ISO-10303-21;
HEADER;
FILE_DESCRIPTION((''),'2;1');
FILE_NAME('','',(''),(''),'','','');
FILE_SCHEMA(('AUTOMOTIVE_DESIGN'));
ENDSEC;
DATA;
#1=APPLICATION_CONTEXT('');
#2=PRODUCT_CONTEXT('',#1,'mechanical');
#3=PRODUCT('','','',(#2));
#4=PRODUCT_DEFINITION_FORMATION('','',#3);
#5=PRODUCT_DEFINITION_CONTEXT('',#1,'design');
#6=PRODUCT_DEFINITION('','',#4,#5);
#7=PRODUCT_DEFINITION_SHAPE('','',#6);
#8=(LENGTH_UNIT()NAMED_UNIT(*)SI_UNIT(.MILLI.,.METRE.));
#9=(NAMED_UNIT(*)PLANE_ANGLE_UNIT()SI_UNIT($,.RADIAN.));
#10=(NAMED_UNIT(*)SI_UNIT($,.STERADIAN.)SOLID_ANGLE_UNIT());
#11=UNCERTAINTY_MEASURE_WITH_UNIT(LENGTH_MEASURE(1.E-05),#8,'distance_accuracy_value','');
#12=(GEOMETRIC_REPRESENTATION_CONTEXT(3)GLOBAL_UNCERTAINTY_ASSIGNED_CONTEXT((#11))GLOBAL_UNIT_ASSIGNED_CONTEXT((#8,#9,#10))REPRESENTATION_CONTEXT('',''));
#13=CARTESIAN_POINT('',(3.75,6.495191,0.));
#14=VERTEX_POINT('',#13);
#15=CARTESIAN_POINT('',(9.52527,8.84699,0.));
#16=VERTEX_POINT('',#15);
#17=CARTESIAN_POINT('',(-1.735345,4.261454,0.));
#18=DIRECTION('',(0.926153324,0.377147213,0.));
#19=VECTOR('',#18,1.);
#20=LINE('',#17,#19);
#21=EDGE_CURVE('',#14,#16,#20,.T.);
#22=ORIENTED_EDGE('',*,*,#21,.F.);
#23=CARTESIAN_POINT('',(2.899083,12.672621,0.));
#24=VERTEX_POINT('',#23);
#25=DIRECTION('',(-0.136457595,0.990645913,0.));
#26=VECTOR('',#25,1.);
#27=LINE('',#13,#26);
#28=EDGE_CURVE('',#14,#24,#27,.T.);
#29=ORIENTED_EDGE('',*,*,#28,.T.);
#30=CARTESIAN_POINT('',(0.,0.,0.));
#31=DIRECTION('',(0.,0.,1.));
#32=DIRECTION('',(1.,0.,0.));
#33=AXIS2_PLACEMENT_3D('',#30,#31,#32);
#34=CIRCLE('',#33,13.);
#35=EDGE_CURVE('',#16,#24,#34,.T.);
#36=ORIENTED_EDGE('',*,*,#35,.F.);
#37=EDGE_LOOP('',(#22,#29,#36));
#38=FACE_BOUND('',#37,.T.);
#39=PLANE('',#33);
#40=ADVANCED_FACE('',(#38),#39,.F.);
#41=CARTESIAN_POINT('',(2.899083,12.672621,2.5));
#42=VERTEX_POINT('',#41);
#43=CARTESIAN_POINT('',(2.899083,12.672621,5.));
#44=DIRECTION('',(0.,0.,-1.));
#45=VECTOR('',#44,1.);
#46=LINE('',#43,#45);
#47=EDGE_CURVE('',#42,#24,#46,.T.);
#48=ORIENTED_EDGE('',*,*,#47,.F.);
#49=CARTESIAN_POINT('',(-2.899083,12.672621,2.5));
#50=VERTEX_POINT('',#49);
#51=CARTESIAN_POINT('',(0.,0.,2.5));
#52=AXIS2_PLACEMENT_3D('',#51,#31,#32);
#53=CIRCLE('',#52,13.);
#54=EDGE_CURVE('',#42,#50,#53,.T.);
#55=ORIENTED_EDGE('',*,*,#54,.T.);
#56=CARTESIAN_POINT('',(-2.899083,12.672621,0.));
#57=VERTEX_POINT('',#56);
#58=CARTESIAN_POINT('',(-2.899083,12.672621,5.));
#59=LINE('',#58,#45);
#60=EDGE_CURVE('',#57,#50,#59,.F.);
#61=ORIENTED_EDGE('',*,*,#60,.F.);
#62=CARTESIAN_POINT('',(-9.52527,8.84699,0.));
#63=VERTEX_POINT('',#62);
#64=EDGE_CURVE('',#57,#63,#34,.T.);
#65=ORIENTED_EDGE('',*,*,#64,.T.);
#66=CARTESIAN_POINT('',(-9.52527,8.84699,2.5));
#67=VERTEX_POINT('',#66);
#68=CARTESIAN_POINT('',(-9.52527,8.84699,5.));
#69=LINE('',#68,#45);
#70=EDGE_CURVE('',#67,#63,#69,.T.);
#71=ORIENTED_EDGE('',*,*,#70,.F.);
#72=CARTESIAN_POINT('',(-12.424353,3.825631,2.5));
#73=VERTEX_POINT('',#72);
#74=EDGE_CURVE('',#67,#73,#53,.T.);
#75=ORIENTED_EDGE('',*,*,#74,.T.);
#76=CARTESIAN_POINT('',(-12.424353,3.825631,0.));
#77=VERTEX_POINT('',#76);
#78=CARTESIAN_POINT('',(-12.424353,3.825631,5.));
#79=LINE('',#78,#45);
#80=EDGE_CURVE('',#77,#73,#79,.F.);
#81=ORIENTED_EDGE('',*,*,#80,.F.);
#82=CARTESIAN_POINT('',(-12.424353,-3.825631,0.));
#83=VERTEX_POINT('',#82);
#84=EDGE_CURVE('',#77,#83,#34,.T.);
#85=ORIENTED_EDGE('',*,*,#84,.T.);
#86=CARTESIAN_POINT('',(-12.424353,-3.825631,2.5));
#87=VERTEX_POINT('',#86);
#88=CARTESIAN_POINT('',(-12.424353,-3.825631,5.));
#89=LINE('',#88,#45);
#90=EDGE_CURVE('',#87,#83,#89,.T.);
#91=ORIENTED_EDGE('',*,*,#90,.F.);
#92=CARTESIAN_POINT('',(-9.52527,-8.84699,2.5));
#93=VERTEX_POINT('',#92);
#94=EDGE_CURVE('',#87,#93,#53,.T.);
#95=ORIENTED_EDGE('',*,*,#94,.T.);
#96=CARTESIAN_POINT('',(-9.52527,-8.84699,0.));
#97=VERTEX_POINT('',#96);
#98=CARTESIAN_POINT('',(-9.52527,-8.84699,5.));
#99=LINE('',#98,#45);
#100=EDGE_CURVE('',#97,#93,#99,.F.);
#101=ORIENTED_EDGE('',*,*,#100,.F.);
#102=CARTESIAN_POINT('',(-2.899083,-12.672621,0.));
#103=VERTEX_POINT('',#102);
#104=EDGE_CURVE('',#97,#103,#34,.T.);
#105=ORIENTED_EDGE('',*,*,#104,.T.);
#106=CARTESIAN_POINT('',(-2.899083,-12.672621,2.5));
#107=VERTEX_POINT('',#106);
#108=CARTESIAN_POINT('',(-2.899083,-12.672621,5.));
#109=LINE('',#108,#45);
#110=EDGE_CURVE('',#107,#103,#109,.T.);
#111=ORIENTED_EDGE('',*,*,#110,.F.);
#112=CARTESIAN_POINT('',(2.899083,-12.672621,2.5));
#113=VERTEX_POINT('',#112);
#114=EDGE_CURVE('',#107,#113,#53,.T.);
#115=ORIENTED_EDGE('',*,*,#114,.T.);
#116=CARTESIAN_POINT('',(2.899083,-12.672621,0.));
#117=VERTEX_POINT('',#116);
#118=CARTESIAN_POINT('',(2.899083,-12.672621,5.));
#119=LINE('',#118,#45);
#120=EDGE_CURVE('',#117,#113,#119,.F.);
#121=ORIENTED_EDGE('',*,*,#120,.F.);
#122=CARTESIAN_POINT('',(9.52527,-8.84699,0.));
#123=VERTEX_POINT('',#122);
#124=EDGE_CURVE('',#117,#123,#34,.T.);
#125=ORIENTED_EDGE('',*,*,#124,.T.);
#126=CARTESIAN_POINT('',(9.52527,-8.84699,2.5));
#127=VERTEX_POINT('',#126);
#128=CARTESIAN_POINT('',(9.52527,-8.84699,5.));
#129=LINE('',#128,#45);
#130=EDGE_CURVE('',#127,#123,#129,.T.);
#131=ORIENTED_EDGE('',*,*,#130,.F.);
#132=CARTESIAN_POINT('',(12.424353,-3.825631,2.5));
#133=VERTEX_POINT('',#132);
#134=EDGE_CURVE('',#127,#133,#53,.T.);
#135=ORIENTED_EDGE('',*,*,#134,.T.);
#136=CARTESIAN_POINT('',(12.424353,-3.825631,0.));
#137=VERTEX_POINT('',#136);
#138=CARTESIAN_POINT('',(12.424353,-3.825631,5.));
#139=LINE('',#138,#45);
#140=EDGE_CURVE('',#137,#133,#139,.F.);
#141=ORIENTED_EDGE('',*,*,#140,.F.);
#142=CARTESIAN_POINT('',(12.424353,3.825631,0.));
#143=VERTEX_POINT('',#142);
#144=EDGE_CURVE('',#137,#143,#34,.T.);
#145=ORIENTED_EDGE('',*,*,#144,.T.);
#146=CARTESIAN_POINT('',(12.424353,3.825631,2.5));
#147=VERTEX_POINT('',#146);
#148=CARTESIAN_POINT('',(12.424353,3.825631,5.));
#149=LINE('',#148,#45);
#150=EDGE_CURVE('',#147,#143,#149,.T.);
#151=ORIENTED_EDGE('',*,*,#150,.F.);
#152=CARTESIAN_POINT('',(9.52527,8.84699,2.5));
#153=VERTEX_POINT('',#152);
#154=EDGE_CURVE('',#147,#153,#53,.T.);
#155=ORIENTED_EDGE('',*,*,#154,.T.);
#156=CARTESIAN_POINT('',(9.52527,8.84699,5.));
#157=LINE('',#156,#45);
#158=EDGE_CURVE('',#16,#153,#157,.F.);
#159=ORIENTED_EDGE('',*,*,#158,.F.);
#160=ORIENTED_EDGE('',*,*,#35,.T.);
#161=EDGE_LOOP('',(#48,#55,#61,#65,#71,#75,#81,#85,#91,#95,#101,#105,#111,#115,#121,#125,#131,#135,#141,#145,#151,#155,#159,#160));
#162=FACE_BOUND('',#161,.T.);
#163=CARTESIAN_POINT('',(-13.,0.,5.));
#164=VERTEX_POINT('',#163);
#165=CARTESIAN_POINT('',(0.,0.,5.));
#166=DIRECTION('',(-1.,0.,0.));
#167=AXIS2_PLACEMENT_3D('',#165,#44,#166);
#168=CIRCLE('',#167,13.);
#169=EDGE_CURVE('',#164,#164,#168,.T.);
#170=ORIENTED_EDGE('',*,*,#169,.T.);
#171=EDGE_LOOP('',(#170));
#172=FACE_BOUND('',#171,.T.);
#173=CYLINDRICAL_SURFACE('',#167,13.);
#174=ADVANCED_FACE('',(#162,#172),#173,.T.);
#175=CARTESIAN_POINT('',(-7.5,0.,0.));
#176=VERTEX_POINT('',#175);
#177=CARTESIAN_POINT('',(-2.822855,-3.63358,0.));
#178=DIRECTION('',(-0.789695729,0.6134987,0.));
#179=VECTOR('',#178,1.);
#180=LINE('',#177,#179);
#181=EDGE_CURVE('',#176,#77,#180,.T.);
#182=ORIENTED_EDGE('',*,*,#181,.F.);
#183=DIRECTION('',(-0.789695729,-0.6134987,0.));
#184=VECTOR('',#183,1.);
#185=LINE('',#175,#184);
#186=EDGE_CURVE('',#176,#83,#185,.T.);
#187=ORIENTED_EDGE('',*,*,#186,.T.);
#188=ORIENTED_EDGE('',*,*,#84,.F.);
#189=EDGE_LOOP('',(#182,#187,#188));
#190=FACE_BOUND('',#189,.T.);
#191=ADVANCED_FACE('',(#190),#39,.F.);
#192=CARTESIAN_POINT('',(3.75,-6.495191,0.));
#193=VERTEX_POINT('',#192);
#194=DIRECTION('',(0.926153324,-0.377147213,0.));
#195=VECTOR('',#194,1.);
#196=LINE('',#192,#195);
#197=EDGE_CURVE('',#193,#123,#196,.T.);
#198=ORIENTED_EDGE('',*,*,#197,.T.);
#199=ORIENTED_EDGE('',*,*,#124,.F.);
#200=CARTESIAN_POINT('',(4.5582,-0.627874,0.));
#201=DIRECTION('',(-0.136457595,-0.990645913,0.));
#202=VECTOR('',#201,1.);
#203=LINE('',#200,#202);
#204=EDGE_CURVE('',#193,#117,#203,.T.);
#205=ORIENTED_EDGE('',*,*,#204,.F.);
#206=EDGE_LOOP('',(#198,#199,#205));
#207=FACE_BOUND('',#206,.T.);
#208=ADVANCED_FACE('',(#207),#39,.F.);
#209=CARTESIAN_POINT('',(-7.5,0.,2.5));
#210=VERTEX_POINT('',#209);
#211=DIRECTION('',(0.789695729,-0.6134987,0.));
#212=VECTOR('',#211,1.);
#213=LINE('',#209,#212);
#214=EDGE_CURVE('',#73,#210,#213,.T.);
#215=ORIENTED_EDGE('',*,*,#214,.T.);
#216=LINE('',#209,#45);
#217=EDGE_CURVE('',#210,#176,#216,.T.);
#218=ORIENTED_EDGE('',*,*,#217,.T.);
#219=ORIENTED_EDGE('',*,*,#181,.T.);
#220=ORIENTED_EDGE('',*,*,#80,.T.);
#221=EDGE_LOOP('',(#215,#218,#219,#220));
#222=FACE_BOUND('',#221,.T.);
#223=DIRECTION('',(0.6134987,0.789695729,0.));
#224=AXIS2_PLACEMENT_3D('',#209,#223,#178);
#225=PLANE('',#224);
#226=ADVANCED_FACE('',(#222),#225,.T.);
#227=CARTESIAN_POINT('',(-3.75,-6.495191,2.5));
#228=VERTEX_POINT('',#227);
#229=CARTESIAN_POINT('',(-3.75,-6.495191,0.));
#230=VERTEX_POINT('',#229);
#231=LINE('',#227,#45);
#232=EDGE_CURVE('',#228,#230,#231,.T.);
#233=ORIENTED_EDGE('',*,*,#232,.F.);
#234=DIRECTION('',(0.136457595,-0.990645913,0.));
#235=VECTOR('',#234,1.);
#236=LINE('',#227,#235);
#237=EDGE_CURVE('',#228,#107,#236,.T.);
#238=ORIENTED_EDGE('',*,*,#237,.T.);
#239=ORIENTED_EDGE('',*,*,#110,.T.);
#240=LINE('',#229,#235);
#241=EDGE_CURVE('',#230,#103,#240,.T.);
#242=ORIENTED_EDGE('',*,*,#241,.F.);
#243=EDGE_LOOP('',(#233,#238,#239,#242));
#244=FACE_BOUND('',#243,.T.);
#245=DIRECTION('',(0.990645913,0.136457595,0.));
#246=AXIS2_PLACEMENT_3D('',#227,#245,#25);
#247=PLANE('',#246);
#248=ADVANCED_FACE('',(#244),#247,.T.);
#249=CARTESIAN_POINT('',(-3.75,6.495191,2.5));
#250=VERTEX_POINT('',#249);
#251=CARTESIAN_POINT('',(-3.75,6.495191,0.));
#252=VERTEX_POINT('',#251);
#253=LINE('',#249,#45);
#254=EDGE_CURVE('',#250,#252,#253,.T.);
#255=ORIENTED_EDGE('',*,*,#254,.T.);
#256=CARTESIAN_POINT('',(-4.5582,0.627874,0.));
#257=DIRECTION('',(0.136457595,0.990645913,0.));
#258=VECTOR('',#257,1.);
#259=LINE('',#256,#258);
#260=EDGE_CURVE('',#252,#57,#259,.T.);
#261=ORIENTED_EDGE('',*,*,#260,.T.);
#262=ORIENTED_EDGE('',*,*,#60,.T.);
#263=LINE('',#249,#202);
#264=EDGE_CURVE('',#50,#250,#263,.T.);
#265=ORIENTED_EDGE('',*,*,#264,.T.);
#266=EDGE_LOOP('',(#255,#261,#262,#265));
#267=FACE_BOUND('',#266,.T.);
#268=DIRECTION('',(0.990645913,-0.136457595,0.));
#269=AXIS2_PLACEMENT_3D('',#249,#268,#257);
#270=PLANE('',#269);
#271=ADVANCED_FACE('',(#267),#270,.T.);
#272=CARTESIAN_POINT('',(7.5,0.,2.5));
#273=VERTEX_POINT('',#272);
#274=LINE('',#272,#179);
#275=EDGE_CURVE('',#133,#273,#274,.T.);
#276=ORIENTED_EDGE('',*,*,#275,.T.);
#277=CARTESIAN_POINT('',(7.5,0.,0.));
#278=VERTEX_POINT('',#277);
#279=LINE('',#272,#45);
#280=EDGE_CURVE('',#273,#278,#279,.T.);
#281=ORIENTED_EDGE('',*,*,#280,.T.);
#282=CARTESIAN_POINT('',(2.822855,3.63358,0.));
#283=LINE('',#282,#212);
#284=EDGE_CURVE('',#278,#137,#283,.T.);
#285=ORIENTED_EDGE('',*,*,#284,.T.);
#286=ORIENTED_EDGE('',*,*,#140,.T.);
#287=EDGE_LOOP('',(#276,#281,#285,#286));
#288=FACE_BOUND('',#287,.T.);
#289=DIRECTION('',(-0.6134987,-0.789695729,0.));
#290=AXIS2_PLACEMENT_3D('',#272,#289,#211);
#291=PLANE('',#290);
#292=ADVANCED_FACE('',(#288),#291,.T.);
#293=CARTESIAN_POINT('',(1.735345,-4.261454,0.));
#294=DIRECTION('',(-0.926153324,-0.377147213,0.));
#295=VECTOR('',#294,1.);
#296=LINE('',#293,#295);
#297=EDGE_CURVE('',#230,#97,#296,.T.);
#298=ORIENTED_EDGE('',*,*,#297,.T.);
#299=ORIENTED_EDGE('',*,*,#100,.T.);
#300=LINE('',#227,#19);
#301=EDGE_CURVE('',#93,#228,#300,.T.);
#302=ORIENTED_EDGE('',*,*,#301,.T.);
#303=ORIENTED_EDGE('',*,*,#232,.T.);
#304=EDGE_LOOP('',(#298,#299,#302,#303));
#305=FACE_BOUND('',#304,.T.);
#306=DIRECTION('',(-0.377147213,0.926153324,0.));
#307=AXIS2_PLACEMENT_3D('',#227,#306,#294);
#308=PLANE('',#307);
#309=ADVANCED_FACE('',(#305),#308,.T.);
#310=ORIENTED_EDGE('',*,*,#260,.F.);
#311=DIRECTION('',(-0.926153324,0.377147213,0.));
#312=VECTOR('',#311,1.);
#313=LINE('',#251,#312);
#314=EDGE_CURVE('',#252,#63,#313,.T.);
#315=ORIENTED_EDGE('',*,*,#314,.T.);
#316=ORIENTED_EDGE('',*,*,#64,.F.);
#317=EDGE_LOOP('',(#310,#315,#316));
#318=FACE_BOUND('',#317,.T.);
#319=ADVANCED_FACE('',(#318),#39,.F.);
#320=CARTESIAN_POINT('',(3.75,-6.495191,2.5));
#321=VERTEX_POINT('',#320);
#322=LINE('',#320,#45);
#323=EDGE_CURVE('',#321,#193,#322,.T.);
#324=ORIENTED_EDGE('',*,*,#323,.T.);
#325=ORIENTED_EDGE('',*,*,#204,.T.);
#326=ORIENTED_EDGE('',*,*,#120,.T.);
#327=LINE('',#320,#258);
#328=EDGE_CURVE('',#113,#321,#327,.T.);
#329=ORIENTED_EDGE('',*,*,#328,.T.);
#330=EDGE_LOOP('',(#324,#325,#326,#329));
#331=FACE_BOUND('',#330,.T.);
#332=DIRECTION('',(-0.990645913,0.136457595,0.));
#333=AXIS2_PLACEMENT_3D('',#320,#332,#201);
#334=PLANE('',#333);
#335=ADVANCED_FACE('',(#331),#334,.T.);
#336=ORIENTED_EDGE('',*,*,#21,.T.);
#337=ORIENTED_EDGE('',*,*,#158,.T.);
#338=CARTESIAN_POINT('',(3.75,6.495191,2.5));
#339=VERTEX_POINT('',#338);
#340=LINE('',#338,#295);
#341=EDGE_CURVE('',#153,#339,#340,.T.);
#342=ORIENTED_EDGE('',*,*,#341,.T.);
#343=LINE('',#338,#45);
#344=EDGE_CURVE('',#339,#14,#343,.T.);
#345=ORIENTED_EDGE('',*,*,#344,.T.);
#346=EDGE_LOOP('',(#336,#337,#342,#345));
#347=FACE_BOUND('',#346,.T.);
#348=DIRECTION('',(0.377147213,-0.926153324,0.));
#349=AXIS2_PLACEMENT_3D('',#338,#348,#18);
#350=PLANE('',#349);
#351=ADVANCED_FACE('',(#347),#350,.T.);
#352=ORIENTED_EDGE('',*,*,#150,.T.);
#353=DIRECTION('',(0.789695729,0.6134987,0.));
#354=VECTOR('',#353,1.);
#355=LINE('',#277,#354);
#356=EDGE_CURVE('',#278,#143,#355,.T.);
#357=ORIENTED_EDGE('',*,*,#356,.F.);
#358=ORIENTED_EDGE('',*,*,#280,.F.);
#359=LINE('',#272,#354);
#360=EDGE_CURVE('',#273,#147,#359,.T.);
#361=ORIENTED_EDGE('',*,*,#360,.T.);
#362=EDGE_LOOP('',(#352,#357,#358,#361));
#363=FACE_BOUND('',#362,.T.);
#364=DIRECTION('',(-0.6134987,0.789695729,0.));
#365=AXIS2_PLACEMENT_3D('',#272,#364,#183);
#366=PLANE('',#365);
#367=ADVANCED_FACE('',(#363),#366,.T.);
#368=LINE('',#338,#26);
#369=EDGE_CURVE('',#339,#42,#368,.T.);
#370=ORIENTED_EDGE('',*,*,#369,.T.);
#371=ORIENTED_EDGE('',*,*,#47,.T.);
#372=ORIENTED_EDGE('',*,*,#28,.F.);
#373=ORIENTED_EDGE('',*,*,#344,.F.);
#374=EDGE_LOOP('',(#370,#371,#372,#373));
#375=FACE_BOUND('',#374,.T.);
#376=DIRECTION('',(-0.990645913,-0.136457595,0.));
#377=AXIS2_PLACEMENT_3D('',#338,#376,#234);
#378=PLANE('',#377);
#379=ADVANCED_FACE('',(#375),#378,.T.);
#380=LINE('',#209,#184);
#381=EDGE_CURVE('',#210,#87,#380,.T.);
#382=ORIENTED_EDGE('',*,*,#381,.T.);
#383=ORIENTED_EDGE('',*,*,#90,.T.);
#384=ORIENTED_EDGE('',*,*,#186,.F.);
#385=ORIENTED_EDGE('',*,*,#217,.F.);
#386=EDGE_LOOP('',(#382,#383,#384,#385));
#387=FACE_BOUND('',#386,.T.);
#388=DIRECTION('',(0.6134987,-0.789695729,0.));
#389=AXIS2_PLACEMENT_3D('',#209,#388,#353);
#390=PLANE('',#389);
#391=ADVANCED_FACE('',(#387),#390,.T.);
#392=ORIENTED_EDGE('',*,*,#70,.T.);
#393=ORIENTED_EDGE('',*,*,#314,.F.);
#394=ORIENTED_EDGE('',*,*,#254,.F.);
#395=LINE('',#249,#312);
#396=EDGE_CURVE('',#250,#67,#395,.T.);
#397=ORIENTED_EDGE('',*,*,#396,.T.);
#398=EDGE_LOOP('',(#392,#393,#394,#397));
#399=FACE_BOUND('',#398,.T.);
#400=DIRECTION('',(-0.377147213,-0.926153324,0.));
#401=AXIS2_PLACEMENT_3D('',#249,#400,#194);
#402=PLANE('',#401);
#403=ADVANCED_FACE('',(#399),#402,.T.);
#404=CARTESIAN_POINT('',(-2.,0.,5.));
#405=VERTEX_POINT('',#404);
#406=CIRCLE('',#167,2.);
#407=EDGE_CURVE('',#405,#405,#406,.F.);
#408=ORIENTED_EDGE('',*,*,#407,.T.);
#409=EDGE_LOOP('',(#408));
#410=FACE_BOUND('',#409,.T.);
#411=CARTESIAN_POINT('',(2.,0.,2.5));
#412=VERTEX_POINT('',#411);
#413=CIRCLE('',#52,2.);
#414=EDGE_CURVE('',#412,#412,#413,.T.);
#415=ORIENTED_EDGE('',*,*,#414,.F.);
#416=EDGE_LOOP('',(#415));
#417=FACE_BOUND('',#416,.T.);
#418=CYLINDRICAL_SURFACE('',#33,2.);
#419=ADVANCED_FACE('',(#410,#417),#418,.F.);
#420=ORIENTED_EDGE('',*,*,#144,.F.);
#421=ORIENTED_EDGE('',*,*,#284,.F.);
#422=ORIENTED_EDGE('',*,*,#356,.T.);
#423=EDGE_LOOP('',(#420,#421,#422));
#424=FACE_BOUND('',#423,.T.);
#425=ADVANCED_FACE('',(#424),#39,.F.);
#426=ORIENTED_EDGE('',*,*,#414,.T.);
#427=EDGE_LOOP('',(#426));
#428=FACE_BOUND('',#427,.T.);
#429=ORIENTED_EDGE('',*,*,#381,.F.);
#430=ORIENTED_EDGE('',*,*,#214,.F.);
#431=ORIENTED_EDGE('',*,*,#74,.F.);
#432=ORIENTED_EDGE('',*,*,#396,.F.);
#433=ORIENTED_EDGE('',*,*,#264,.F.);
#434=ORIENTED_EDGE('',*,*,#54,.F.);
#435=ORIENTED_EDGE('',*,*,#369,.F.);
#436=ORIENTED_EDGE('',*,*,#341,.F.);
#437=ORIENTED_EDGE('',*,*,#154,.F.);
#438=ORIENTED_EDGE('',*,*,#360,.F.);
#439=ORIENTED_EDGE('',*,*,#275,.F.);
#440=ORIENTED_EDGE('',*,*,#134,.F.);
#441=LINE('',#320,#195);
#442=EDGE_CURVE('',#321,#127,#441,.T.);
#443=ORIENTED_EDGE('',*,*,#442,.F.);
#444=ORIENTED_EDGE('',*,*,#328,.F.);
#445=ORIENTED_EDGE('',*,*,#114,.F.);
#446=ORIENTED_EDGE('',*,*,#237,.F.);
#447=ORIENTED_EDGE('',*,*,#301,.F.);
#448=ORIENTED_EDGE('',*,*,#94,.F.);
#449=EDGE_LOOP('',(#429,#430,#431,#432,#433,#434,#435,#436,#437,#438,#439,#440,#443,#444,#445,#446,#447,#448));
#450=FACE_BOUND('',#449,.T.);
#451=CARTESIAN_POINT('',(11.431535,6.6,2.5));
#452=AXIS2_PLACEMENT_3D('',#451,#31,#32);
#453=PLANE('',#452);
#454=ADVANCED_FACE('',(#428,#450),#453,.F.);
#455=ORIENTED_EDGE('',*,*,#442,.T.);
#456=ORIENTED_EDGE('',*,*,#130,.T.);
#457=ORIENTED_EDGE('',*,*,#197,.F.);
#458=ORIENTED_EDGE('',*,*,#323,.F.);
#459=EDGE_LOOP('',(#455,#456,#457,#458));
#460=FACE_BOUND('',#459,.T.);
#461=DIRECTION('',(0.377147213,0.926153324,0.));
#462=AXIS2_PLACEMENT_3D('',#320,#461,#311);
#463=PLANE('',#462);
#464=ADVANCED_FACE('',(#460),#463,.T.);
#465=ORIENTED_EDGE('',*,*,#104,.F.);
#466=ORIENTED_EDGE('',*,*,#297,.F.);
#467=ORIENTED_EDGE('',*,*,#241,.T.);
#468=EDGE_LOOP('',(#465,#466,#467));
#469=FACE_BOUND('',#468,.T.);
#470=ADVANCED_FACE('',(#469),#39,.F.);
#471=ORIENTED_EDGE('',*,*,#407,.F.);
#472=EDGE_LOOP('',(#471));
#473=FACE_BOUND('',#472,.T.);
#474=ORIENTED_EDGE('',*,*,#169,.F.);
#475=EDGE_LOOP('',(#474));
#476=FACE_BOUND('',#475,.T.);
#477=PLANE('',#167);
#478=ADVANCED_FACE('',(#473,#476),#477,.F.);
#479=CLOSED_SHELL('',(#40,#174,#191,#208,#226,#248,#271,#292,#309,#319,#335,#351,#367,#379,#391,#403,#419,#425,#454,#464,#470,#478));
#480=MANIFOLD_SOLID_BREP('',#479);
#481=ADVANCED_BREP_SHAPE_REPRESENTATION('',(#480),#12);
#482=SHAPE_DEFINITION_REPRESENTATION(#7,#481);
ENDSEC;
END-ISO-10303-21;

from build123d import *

# Parameters (mm, degrees)
SKETCH_3_R          = 13
EXTRUDE_1_DEPTH     = 5
CUT_EXTRUDE_2_DEPTH = 2.5
SKETCH_6_R          = 2
CUT_EXTRUDE_3_DEPTH = 18
SKETCH_7_R          = 7.5
CUT_EXTRUDE_4_DEPTH = 8
CUT_EXTRUDE_6_DEPTH = 5
FILLET_1_R          = 1
SKETCH_10_W         = 2
SKETCH_10_H         = 13.5
CUT_EXTRUDE_7_DEPTH = 0.5
SKETCH_11_R         = 25
CUT_EXTRUDE_8_DEPTH = 13


with BuildPart() as part:
    # ｽｹｯﾁ3 → ﾎﾞｽ - 押し出し1 (new body)
    with BuildSketch(Plane.XY):
        Circle(SKETCH_3_R)
    extrude(amount=EXTRUDE_1_DEPTH)

    # ｽｹｯﾁ2 → ｶｯﾄ - 押し出し2 (cut)
    with BuildSketch(Plane.XY):
        with BuildLine():
            Line((3.75, 6.495190528), (2.773808556, 13.582081265))
            ThreePointArc((2.773808556, 13.582081265), (0, 16), (-2.773808556, 13.582081265))
            Line((-2.773808556, 13.582081265), (-3.75, 6.495190528))
            Line((-3.75, 6.495190528), (-10.375523134, 9.193229308))
            ThreePointArc((-10.375523134, 9.193229308), (-13.856406461, 8), (-13.14933169, 4.388851958))
            Line((-13.14933169, 4.388851958), (-7.5, 0))
            Line((-7.5, 0), (-13.14933169, -4.388851958))
            ThreePointArc((-13.14933169, -4.388851958), (-13.856406461, -8), (-10.375523134, -9.193229308))
            Line((-10.375523134, -9.193229308), (-3.75, -6.495190528))
            Line((-3.75, -6.495190528), (-2.773808556, -13.582081265))
            ThreePointArc((-2.773808556, -13.582081265), (0, -16), (2.773808556, -13.582081265))
            Line((2.773808556, -13.582081265), (3.75, -6.495190528))
            Line((3.75, -6.495190528), (10.375523134, -9.193229308))
            ThreePointArc((10.375523134, -9.193229308), (13.856406461, -8), (13.14933169, -4.388851958))
            Line((13.14933169, -4.388851958), (7.5, 0))
            Line((7.5, 0), (13.14933169, 4.388851958))
            ThreePointArc((13.14933169, 4.388851958), (13.856406461, 8), (10.375523134, 9.193229308))
            Line((10.375523134, 9.193229308), (3.75, 6.495190528))
        make_face()
    extrude(amount=CUT_EXTRUDE_2_DEPTH, mode=Mode.SUBTRACT)

    # ｽｹｯﾁ5 → 回転1 (revolve)
    with BuildSketch(Plane(origin=(0, 0, 0), x_dir=(1, 0, 0), z_dir=(0, 1, 0))):
        Polygon((0, -5), (25, -5), (25, -7), (10, -7), (10, -15), (25, -15), (25, -17), (0, -17), align=None)
    revolve(axis=Axis((0, 0, 0), (0, 0, 1)))

    # ｽｹｯﾁ6 → ｶｯﾄ - 押し出し3 (cut, through all)
    with BuildSketch(Plane.XY.offset(17)):
        Circle(SKETCH_6_R)
    extrude(amount=-CUT_EXTRUDE_3_DEPTH, mode=Mode.SUBTRACT)

    # ｽｹｯﾁ7 → ｶｯﾄ - 押し出し4 (cut)
    with BuildSketch(Plane.XY.offset(17)):
        Circle(SKETCH_7_R)
    extrude(amount=-CUT_EXTRUDE_4_DEPTH, mode=Mode.SUBTRACT)

    # ｽｹｯﾁ9 → ｶｯﾄ - 押し出し6 (cut)
    with BuildSketch(Plane(origin=(0, 0, 15), x_dir=(-1, 0, 0), z_dir=(0, 0, -1))):
        Polygon((-3.843473937, -0.691164305), (-11.556925253, -9.883697623), (-7.726703038, -13.097635671), (-0.013251721, -3.905102354), align=None)
    cut_extrude_6 = extrude(amount=CUT_EXTRUDE_6_DEPTH, mode=Mode.SUBTRACT)

    # ﾐﾗｰ1: ｶｯﾄ - 押し出し6 across plane
    add(cut_extrude_6.mirror(Plane(origin=(0, 0, 0), x_dir=(0, 0, 1), z_dir=(1, 0, 0))), mode=Mode.SUBTRACT)

    # ﾌｨﾚｯﾄ1
    fillet_1_edges = [part.edges().sort_by_distance(p)[0] for p in [
        (4.308653161, -9.024162451, 12.5),
        (-4.308653161, -9.024162451, 12.5),
    ]]
    fillet(fillet_1_edges, radius=FILLET_1_R)

    # ｽｹｯﾁ10 → ｶｯﾄ - 押し出し7 (cut)
    with BuildSketch(Plane.XY.offset(17)):
        with Locations((0, 16.25)):
            Rectangle(SKETCH_10_W, SKETCH_10_H)
    extrude(amount=-CUT_EXTRUDE_7_DEPTH, mode=Mode.SUBTRACT)

    # ｽｹｯﾁ11 → ｶｯﾄ - 押し出し8 (cut, through all)
    with BuildSketch(Plane(origin=(0, 0, 5), x_dir=(-1, 0, 0), z_dir=(0, 0, -1))):
        Circle(SKETCH_11_R)
    extrude(amount=-CUT_EXTRUDE_8_DEPTH, mode=Mode.SUBTRACT)


solid = part.part
